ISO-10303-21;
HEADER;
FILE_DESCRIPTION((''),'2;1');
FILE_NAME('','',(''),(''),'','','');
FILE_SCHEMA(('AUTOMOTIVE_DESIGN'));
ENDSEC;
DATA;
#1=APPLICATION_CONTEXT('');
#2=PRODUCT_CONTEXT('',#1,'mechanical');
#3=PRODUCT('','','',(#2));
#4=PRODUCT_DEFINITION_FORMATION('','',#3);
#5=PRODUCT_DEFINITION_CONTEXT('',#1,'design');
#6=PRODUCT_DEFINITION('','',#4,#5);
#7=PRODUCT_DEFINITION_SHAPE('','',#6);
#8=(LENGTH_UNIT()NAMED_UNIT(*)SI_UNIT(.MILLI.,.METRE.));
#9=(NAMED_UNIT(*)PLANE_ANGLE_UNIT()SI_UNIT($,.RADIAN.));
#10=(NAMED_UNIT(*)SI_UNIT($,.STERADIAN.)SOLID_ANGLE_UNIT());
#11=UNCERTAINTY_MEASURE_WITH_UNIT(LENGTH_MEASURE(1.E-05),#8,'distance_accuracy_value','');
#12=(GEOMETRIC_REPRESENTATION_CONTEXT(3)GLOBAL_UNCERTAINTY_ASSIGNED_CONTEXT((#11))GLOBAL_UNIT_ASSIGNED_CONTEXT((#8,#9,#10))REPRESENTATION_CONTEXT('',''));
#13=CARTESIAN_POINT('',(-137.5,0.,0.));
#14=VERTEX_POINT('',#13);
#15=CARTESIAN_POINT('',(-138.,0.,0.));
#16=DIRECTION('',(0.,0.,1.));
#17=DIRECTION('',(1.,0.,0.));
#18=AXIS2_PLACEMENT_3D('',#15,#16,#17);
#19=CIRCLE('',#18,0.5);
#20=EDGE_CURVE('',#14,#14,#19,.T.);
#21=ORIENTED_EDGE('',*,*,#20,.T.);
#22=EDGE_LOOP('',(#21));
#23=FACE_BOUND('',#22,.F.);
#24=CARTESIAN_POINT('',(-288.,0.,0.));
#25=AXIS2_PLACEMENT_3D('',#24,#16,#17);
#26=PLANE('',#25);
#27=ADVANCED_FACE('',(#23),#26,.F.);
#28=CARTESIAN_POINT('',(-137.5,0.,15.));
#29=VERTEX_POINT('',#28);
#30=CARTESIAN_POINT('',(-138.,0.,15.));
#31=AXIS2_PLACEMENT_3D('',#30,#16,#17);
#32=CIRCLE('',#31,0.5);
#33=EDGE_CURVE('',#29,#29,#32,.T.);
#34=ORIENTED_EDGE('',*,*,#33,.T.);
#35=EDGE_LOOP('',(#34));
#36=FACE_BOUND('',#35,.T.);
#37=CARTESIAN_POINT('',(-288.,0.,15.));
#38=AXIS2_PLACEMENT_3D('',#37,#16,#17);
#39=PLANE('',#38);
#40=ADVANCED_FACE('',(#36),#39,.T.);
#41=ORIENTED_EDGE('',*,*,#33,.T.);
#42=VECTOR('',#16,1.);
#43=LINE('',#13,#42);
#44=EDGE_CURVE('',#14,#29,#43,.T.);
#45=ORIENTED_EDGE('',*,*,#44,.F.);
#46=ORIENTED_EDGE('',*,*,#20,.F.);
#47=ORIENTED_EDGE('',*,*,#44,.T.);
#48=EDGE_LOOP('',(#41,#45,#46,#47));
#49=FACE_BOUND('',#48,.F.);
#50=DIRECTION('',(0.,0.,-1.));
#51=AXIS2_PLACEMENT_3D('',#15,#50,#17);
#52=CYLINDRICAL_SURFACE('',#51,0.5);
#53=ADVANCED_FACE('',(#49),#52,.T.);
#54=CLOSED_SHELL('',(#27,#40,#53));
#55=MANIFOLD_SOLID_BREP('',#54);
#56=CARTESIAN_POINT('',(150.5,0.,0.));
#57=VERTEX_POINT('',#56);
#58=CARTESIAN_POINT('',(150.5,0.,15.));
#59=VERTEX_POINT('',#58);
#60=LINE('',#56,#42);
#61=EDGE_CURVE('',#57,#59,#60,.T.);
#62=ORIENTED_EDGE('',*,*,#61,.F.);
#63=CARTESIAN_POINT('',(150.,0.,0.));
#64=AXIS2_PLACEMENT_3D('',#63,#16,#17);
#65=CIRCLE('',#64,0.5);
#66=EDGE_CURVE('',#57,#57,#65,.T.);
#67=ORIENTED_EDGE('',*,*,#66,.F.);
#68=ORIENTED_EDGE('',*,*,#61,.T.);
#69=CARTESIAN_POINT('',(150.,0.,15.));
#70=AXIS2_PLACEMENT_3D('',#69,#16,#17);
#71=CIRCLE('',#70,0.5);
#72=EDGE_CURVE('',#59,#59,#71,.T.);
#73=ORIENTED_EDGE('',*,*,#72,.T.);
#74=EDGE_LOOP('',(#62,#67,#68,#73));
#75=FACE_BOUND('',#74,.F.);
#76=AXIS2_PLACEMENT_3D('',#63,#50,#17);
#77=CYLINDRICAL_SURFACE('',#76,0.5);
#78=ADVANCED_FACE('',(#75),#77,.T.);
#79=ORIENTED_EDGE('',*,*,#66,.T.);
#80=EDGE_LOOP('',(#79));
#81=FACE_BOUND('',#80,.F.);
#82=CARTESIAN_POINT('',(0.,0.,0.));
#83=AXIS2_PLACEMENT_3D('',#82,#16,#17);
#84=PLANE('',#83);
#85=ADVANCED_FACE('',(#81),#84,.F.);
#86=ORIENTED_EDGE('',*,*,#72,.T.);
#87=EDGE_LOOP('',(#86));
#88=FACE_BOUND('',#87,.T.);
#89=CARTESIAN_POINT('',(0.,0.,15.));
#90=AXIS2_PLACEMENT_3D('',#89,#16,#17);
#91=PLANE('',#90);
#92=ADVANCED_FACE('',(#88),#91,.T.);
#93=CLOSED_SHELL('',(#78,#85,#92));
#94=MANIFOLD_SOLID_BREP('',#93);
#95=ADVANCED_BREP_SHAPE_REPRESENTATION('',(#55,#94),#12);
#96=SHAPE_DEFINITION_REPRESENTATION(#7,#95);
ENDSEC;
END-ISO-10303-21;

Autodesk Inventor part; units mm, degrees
ref_plane "YZ Plane" through (0, 0, 0) normal (1, 0, 0) x (0, 1, 0)
ref_plane "XZ Plane" through (0, 0, 0) normal (0, 1, 0) x (-1, 0, 0)
ref_plane "XY Plane" through (0, 0, 0) normal (0, 0, 1) x (1, 0, 0)
sketch "Sketch1" plane through (0, 0, 0) normal (0, 0, 1) x (1, 0, 0)
  line L0 (-200, -9) -> (200, -9)
  line L1 (200, -9) -> (200, 9)
  line L2 (200, 9) -> (-200, 9)
  line L3 (-200, 9) -> (-200, -9)
  line L4 (-200, -9) -> (200, 9) construction
  line L5 (200, -9) -> (-200, 9) construction
  point P0 (0, 0)
  dimension "d0" = 400
  dimension "d1" = 18
sketch "Sketch2" plane through (0, 0, 0) normal (0, 0, 1) x (1, 0, 0)
  circle A0 centre (150, 0) radius 0.5
  line L0 (200, 9) -> (-200, 9) projected
  line L1 (-200, -9) -> (200, -9) projected
  line L2 (0, -12.6) -> (0, 12.6) projected
  line L3 (200, -9) -> (200, 9) projected
  point P0 (0, 0)
  point P1 (200, 0)
  dimension "d4" = 1
  dimension "d26" = 50
  dimension "d29" = 300
extrude "Extrusion1" add sketch "Sketch2" along normal blind 15 contours A0
pattern_linear "Confirmat Array" count 2 spacing 288 along (-1, 0, 0) of "Extrusion1"
equation "\"d26\" = X_Coord"
equation "\"d5\" = Z_Coord"
equation "\"d9\" = Step"
equation "\"d0\" = ContactPatchWidth"
equation "\"d1\" = ContactPatchHeight"
equation "\"ContactPatchWidth\" = 400"
equation "\"ContactPatchHeight\" = 18"
equation "\"PlacingStep\" = 32"
equation "\"PlacingWithByStep\" = 288"
equation "\"X_Coord\" = 50"
equation "\"Step\" = 288"
equation "\"MaxDistBetweenByStep\" = 192"
equation "\"NestledBoarThickness\" = 18"
equation "\"DowelD\" = 8"
equation "\"Z_Coord\" = 15"
equation "\"DrillTipOffset\" = 3"
properties part number "Confirmat Joint V1"
